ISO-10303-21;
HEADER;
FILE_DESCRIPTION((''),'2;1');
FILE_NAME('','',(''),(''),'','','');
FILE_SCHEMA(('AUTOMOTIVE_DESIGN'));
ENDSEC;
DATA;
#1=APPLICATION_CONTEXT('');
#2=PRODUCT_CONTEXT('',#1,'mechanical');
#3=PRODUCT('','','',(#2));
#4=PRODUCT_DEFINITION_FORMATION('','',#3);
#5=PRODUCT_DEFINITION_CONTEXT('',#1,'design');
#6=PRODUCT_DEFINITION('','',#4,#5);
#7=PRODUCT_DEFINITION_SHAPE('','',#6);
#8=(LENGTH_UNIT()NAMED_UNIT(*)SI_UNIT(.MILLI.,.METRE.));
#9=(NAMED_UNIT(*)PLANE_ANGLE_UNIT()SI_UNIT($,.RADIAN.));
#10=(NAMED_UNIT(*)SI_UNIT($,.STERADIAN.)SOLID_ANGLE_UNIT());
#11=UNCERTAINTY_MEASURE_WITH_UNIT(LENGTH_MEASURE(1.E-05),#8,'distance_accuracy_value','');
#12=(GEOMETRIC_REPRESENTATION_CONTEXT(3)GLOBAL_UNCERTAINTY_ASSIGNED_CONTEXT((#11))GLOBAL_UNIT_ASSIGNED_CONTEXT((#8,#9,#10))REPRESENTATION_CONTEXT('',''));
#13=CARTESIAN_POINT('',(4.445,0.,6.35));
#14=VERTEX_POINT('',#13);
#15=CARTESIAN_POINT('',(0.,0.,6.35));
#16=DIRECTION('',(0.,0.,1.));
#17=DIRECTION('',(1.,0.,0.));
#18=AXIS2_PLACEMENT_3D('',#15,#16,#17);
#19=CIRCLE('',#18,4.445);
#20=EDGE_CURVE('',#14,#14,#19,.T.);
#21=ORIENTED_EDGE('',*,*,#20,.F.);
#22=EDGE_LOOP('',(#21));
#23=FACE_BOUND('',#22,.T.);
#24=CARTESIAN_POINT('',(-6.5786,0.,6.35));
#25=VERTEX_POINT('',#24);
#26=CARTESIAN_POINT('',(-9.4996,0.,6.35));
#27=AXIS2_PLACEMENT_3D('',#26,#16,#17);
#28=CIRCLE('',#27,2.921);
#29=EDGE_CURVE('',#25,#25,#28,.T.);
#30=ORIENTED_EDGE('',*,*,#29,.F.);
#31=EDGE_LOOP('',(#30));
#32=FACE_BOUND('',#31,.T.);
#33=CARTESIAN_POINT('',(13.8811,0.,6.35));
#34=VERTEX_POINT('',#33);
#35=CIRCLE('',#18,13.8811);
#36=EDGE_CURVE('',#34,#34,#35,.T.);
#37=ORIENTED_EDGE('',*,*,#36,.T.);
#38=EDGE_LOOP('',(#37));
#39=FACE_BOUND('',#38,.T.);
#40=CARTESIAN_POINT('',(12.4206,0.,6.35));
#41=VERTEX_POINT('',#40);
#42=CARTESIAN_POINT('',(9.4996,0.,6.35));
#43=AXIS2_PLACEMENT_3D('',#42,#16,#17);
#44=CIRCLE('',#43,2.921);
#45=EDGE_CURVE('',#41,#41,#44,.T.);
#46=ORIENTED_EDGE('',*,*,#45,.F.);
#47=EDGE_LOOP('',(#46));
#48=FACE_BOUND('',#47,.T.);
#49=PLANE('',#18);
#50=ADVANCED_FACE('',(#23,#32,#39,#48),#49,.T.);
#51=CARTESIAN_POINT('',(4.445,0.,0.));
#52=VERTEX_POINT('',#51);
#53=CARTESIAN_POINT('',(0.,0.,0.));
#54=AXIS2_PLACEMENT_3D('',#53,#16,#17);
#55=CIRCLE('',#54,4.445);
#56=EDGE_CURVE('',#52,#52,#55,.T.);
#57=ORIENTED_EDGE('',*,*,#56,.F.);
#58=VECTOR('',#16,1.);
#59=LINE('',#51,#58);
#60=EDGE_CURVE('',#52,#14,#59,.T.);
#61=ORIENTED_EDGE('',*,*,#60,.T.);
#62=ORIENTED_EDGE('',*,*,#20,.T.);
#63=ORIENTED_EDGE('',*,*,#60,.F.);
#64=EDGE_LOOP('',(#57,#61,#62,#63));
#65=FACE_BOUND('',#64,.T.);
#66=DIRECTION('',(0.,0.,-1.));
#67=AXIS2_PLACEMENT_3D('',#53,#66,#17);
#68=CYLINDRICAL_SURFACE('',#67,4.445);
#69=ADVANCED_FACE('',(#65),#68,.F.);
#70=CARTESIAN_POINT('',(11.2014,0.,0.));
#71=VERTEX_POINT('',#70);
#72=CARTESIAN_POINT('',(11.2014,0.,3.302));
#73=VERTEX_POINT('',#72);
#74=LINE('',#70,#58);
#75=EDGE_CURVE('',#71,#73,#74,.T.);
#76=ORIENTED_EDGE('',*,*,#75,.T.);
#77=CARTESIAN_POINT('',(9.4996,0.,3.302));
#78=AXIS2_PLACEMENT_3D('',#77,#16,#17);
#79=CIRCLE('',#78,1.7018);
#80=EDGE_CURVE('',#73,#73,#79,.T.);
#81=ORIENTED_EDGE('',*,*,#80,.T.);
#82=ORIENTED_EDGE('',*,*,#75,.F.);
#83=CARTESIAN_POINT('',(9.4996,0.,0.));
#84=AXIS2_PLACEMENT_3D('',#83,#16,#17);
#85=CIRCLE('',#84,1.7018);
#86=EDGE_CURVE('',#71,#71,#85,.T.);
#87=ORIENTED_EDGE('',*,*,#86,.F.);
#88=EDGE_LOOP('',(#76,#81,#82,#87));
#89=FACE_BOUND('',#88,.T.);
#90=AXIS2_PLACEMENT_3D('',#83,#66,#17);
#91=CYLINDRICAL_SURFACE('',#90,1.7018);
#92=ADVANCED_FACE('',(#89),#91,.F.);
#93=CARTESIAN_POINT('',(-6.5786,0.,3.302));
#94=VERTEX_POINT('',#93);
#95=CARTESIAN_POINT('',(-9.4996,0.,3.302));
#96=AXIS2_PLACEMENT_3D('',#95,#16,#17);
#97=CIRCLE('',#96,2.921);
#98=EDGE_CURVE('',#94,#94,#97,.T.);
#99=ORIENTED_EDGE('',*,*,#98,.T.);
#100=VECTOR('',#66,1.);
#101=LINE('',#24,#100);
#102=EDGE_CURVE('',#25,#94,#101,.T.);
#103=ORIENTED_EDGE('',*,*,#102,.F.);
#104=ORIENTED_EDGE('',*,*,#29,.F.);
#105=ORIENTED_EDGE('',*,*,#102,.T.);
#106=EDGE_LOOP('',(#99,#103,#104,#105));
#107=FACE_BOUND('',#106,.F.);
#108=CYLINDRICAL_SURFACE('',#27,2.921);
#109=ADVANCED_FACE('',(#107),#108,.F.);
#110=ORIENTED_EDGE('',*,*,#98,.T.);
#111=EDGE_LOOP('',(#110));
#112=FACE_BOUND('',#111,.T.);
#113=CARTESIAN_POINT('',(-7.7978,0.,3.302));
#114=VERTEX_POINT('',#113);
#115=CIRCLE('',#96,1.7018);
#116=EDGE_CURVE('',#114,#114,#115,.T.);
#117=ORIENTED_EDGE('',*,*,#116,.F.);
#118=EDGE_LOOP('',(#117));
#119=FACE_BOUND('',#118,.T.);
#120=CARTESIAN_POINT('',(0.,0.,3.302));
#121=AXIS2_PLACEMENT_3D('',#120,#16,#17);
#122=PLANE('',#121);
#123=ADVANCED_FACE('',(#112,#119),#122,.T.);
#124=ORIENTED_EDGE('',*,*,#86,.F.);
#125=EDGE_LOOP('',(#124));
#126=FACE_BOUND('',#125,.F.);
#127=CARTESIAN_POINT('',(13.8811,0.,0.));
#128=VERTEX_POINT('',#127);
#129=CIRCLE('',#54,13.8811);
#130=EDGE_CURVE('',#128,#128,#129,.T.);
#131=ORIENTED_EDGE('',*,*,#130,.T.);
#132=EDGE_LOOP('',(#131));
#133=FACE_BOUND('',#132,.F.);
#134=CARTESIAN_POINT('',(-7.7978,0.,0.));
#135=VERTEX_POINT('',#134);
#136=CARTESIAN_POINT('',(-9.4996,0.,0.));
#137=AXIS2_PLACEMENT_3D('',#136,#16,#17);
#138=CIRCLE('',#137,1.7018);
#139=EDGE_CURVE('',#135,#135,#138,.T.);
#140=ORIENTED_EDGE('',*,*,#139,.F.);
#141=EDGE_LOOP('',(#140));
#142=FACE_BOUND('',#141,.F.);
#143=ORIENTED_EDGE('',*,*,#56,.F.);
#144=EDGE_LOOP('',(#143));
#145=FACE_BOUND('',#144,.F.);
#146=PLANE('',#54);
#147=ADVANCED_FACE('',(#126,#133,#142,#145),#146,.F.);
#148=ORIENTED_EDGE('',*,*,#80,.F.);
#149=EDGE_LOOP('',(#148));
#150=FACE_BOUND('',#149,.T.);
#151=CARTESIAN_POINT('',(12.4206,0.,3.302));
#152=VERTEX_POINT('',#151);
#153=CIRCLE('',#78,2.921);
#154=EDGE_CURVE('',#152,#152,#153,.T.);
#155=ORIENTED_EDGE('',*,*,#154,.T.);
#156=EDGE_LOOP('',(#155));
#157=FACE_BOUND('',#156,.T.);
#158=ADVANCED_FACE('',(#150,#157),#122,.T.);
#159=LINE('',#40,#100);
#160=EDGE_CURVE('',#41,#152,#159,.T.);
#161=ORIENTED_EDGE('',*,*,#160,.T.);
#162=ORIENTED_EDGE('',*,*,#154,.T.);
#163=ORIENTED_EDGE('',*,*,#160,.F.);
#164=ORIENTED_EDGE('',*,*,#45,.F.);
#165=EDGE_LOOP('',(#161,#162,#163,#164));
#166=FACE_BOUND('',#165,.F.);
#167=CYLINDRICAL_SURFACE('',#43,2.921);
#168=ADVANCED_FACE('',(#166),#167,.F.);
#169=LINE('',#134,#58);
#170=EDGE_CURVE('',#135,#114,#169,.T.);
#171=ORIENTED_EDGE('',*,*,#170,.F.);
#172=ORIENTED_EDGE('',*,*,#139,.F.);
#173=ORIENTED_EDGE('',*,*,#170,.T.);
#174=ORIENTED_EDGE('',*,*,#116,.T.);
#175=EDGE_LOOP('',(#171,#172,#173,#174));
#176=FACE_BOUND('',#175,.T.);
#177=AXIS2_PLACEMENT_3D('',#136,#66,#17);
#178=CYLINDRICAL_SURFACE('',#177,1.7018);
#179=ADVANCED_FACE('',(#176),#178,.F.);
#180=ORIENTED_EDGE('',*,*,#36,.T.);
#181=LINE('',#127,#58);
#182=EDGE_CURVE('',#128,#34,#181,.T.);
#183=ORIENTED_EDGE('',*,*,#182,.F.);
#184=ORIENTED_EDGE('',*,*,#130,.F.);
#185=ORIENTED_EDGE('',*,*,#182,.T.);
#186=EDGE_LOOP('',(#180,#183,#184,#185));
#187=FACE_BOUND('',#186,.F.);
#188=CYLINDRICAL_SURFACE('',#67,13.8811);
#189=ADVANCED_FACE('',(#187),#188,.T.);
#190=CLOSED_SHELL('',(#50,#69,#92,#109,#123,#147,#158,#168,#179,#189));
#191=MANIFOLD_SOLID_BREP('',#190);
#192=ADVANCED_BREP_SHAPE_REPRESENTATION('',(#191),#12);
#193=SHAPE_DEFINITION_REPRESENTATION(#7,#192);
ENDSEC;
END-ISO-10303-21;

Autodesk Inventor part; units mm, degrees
ref_plane "YZ Plane" through (0, 0, 0) normal (1, 0, 0) x (0, 1, 0)
ref_plane "XZ Plane" through (0, 0, 0) normal (0, 1, 0) x (-1, 0, 0)
ref_plane "XY Plane" through (0, 0, 0) normal (0, 0, 1) x (1, 0, 0)
sketch "Sketch1" plane through (0, 0, 0) normal (0, 0, 1) x (1, 0, 0)
  circle A0 centre (0, 0) radius 13.8811
  circle A1 centre (0, 0) radius 4.445
  circle A2 centre (-9.4996, 0) radius 1.7018
  circle A3 centre (9.4996, 0) radius 1.7018
  dimension "d0" = 27.7622
  dimension "d1" = 8.89
  dimension "d2" = 18.9992
  dimension "d3" = 9.4996
  dimension "d4" = 3.4036
  dimension "d5" = 3.4036
extrude "Extrusion1" add sketch "Sketch1" along normal blind 6.35
sketch "Sketch2" plane through (0, 0, 6.35) normal (0, 0, 1) x (1, 0, 0)
  circle A0 centre (-9.4996, 0) radius 1.7018 projected
  circle A1 centre (-9.4996, 0) radius 2.921
  circle A2 centre (9.4996, 0) radius 1.7018 projected
  circle A3 centre (9.4996, 0) radius 2.921
  point P0 (0, 0)
  dimension "d10" = 5.842
  dimension "d11" = 5.842
extrude "Extrusion2" cut sketch "Sketch2" against normal blind 3.048
equation "\"d3\" = 0.5 * d2"
properties part number "Brushless_Motor_Base"
